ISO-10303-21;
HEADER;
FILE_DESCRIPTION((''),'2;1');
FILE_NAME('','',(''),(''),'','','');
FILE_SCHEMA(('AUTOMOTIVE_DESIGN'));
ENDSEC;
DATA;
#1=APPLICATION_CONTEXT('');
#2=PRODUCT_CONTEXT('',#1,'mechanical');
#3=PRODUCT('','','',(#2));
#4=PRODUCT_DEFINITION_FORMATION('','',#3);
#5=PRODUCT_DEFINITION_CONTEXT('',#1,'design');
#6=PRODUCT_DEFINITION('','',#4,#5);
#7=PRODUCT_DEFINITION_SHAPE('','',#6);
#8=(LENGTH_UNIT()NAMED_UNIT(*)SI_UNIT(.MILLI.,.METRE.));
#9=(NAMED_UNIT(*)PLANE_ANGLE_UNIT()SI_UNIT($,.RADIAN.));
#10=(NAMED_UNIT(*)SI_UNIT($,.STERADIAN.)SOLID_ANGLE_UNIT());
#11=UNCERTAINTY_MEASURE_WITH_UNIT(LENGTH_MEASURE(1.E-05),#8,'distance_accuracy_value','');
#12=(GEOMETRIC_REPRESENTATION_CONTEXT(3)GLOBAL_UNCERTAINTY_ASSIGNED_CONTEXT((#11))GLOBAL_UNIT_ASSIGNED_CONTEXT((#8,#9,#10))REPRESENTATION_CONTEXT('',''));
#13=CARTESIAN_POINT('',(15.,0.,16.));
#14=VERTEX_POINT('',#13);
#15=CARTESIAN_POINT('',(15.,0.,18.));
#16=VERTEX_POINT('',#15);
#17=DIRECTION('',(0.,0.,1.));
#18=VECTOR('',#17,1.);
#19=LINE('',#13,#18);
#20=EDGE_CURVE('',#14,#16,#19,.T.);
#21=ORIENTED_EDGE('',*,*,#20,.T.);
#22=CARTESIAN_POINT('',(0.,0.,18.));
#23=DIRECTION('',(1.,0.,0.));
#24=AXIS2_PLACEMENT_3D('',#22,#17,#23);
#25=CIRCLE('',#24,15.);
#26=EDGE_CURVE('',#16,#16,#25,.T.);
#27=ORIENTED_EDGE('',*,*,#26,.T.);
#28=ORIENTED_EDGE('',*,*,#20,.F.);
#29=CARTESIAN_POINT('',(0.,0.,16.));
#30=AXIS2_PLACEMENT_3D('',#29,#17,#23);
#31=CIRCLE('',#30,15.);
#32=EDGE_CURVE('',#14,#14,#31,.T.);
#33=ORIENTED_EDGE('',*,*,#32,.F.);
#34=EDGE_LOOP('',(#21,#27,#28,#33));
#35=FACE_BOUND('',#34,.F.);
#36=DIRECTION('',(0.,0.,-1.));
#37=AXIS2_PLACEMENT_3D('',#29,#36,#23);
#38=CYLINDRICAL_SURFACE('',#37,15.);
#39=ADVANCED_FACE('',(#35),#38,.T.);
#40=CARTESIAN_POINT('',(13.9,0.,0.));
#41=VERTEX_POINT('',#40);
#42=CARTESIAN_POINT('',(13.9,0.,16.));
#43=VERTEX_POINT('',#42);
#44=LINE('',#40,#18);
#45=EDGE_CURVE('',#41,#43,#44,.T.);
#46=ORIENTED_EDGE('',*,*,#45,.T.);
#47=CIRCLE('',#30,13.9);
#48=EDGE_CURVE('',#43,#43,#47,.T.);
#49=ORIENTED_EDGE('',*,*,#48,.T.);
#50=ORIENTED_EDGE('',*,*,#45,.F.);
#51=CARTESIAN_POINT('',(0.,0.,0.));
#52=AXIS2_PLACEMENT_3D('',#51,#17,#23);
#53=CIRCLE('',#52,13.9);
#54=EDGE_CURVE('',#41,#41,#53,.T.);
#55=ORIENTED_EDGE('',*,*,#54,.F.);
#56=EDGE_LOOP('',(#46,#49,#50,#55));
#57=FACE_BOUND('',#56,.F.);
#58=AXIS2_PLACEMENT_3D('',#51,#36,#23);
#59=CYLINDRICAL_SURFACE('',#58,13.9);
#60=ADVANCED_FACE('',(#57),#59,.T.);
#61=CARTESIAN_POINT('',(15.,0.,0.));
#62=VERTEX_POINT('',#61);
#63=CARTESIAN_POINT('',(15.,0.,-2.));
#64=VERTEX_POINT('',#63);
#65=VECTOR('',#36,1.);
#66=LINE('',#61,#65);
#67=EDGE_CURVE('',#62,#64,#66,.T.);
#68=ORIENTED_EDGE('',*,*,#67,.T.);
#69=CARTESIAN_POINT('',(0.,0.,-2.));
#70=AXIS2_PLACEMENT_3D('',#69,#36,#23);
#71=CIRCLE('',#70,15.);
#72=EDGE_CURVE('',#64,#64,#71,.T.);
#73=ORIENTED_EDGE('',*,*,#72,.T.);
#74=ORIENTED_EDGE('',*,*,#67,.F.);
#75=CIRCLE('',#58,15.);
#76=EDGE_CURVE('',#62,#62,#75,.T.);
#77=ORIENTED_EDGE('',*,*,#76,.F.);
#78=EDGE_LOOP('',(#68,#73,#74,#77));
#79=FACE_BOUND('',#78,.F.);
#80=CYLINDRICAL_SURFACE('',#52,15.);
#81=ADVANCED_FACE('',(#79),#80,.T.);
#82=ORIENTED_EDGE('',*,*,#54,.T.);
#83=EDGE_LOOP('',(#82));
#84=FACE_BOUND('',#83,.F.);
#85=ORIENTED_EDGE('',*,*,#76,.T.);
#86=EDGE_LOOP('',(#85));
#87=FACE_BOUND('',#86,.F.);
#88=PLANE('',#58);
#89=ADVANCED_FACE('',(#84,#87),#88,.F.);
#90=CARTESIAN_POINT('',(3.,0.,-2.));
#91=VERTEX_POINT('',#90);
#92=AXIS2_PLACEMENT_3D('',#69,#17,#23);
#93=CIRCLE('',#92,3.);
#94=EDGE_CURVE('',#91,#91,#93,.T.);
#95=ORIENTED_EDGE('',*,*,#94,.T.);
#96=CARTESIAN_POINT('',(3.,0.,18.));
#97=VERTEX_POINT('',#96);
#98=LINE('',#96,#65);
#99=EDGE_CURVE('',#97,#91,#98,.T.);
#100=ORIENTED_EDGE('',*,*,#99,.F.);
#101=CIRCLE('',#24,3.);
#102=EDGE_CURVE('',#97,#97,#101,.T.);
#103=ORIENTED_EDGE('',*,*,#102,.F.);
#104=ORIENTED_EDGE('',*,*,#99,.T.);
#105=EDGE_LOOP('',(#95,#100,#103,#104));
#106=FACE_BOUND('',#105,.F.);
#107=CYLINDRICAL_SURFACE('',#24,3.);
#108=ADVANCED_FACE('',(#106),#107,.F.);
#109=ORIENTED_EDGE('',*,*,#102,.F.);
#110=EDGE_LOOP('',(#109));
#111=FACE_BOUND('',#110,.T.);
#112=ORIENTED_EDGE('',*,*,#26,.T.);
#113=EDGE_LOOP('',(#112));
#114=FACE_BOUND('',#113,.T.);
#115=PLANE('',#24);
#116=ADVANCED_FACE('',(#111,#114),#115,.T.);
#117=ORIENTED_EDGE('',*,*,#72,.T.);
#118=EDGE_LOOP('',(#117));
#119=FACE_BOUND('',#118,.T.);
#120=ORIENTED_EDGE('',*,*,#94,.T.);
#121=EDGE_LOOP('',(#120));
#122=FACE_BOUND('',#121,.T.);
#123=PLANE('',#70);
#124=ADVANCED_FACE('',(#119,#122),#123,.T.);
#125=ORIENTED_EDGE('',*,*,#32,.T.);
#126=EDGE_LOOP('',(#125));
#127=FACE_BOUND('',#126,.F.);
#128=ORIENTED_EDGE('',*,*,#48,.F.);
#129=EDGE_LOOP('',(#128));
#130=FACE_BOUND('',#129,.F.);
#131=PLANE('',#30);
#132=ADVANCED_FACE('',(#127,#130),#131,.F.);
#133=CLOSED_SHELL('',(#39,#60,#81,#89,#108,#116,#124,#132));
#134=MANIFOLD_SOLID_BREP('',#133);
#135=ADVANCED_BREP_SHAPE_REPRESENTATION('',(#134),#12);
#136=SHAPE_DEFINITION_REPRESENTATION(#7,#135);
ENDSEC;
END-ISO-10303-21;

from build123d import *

# Parameters (mm, degrees)
F0_R     = 13.9
F1_DEPTH = 16
F2_R     = 15
F2_R_2   = 13.9
F3_DEPTH = 2
F4_R     = 15
F5_DEPTH = 2
F6_R     = 3
F7_DEPTH = 20.001


with BuildPart() as f1:
    # F0 (on Top) → F1 (new body)
    with BuildSketch(Plane.XY):
        Circle(F0_R)
    extrude(amount=F1_DEPTH)

    # F2 (on face) → F3 (join)
    with BuildSketch(Plane.XY.offset(16)):
        Circle(F2_R)
        Circle(F2_R_2, mode=Mode.SUBTRACT)
        Circle(F2_R_2)
    extrude(amount=F3_DEPTH)

    # F4 (on face) → F5 (join)
    with BuildSketch(Plane(origin=(0, 0, 0), x_dir=(1, 0, 0), z_dir=(0, 0, -1))):
        Circle(F4_R)
    extrude(amount=F5_DEPTH)

    # F6 (on face) → F7 (cut, through all)
    with BuildSketch(Plane.XY.offset(18)):
        Circle(F6_R)
    extrude(amount=-F7_DEPTH, mode=Mode.SUBTRACT)


solid = f1.part
